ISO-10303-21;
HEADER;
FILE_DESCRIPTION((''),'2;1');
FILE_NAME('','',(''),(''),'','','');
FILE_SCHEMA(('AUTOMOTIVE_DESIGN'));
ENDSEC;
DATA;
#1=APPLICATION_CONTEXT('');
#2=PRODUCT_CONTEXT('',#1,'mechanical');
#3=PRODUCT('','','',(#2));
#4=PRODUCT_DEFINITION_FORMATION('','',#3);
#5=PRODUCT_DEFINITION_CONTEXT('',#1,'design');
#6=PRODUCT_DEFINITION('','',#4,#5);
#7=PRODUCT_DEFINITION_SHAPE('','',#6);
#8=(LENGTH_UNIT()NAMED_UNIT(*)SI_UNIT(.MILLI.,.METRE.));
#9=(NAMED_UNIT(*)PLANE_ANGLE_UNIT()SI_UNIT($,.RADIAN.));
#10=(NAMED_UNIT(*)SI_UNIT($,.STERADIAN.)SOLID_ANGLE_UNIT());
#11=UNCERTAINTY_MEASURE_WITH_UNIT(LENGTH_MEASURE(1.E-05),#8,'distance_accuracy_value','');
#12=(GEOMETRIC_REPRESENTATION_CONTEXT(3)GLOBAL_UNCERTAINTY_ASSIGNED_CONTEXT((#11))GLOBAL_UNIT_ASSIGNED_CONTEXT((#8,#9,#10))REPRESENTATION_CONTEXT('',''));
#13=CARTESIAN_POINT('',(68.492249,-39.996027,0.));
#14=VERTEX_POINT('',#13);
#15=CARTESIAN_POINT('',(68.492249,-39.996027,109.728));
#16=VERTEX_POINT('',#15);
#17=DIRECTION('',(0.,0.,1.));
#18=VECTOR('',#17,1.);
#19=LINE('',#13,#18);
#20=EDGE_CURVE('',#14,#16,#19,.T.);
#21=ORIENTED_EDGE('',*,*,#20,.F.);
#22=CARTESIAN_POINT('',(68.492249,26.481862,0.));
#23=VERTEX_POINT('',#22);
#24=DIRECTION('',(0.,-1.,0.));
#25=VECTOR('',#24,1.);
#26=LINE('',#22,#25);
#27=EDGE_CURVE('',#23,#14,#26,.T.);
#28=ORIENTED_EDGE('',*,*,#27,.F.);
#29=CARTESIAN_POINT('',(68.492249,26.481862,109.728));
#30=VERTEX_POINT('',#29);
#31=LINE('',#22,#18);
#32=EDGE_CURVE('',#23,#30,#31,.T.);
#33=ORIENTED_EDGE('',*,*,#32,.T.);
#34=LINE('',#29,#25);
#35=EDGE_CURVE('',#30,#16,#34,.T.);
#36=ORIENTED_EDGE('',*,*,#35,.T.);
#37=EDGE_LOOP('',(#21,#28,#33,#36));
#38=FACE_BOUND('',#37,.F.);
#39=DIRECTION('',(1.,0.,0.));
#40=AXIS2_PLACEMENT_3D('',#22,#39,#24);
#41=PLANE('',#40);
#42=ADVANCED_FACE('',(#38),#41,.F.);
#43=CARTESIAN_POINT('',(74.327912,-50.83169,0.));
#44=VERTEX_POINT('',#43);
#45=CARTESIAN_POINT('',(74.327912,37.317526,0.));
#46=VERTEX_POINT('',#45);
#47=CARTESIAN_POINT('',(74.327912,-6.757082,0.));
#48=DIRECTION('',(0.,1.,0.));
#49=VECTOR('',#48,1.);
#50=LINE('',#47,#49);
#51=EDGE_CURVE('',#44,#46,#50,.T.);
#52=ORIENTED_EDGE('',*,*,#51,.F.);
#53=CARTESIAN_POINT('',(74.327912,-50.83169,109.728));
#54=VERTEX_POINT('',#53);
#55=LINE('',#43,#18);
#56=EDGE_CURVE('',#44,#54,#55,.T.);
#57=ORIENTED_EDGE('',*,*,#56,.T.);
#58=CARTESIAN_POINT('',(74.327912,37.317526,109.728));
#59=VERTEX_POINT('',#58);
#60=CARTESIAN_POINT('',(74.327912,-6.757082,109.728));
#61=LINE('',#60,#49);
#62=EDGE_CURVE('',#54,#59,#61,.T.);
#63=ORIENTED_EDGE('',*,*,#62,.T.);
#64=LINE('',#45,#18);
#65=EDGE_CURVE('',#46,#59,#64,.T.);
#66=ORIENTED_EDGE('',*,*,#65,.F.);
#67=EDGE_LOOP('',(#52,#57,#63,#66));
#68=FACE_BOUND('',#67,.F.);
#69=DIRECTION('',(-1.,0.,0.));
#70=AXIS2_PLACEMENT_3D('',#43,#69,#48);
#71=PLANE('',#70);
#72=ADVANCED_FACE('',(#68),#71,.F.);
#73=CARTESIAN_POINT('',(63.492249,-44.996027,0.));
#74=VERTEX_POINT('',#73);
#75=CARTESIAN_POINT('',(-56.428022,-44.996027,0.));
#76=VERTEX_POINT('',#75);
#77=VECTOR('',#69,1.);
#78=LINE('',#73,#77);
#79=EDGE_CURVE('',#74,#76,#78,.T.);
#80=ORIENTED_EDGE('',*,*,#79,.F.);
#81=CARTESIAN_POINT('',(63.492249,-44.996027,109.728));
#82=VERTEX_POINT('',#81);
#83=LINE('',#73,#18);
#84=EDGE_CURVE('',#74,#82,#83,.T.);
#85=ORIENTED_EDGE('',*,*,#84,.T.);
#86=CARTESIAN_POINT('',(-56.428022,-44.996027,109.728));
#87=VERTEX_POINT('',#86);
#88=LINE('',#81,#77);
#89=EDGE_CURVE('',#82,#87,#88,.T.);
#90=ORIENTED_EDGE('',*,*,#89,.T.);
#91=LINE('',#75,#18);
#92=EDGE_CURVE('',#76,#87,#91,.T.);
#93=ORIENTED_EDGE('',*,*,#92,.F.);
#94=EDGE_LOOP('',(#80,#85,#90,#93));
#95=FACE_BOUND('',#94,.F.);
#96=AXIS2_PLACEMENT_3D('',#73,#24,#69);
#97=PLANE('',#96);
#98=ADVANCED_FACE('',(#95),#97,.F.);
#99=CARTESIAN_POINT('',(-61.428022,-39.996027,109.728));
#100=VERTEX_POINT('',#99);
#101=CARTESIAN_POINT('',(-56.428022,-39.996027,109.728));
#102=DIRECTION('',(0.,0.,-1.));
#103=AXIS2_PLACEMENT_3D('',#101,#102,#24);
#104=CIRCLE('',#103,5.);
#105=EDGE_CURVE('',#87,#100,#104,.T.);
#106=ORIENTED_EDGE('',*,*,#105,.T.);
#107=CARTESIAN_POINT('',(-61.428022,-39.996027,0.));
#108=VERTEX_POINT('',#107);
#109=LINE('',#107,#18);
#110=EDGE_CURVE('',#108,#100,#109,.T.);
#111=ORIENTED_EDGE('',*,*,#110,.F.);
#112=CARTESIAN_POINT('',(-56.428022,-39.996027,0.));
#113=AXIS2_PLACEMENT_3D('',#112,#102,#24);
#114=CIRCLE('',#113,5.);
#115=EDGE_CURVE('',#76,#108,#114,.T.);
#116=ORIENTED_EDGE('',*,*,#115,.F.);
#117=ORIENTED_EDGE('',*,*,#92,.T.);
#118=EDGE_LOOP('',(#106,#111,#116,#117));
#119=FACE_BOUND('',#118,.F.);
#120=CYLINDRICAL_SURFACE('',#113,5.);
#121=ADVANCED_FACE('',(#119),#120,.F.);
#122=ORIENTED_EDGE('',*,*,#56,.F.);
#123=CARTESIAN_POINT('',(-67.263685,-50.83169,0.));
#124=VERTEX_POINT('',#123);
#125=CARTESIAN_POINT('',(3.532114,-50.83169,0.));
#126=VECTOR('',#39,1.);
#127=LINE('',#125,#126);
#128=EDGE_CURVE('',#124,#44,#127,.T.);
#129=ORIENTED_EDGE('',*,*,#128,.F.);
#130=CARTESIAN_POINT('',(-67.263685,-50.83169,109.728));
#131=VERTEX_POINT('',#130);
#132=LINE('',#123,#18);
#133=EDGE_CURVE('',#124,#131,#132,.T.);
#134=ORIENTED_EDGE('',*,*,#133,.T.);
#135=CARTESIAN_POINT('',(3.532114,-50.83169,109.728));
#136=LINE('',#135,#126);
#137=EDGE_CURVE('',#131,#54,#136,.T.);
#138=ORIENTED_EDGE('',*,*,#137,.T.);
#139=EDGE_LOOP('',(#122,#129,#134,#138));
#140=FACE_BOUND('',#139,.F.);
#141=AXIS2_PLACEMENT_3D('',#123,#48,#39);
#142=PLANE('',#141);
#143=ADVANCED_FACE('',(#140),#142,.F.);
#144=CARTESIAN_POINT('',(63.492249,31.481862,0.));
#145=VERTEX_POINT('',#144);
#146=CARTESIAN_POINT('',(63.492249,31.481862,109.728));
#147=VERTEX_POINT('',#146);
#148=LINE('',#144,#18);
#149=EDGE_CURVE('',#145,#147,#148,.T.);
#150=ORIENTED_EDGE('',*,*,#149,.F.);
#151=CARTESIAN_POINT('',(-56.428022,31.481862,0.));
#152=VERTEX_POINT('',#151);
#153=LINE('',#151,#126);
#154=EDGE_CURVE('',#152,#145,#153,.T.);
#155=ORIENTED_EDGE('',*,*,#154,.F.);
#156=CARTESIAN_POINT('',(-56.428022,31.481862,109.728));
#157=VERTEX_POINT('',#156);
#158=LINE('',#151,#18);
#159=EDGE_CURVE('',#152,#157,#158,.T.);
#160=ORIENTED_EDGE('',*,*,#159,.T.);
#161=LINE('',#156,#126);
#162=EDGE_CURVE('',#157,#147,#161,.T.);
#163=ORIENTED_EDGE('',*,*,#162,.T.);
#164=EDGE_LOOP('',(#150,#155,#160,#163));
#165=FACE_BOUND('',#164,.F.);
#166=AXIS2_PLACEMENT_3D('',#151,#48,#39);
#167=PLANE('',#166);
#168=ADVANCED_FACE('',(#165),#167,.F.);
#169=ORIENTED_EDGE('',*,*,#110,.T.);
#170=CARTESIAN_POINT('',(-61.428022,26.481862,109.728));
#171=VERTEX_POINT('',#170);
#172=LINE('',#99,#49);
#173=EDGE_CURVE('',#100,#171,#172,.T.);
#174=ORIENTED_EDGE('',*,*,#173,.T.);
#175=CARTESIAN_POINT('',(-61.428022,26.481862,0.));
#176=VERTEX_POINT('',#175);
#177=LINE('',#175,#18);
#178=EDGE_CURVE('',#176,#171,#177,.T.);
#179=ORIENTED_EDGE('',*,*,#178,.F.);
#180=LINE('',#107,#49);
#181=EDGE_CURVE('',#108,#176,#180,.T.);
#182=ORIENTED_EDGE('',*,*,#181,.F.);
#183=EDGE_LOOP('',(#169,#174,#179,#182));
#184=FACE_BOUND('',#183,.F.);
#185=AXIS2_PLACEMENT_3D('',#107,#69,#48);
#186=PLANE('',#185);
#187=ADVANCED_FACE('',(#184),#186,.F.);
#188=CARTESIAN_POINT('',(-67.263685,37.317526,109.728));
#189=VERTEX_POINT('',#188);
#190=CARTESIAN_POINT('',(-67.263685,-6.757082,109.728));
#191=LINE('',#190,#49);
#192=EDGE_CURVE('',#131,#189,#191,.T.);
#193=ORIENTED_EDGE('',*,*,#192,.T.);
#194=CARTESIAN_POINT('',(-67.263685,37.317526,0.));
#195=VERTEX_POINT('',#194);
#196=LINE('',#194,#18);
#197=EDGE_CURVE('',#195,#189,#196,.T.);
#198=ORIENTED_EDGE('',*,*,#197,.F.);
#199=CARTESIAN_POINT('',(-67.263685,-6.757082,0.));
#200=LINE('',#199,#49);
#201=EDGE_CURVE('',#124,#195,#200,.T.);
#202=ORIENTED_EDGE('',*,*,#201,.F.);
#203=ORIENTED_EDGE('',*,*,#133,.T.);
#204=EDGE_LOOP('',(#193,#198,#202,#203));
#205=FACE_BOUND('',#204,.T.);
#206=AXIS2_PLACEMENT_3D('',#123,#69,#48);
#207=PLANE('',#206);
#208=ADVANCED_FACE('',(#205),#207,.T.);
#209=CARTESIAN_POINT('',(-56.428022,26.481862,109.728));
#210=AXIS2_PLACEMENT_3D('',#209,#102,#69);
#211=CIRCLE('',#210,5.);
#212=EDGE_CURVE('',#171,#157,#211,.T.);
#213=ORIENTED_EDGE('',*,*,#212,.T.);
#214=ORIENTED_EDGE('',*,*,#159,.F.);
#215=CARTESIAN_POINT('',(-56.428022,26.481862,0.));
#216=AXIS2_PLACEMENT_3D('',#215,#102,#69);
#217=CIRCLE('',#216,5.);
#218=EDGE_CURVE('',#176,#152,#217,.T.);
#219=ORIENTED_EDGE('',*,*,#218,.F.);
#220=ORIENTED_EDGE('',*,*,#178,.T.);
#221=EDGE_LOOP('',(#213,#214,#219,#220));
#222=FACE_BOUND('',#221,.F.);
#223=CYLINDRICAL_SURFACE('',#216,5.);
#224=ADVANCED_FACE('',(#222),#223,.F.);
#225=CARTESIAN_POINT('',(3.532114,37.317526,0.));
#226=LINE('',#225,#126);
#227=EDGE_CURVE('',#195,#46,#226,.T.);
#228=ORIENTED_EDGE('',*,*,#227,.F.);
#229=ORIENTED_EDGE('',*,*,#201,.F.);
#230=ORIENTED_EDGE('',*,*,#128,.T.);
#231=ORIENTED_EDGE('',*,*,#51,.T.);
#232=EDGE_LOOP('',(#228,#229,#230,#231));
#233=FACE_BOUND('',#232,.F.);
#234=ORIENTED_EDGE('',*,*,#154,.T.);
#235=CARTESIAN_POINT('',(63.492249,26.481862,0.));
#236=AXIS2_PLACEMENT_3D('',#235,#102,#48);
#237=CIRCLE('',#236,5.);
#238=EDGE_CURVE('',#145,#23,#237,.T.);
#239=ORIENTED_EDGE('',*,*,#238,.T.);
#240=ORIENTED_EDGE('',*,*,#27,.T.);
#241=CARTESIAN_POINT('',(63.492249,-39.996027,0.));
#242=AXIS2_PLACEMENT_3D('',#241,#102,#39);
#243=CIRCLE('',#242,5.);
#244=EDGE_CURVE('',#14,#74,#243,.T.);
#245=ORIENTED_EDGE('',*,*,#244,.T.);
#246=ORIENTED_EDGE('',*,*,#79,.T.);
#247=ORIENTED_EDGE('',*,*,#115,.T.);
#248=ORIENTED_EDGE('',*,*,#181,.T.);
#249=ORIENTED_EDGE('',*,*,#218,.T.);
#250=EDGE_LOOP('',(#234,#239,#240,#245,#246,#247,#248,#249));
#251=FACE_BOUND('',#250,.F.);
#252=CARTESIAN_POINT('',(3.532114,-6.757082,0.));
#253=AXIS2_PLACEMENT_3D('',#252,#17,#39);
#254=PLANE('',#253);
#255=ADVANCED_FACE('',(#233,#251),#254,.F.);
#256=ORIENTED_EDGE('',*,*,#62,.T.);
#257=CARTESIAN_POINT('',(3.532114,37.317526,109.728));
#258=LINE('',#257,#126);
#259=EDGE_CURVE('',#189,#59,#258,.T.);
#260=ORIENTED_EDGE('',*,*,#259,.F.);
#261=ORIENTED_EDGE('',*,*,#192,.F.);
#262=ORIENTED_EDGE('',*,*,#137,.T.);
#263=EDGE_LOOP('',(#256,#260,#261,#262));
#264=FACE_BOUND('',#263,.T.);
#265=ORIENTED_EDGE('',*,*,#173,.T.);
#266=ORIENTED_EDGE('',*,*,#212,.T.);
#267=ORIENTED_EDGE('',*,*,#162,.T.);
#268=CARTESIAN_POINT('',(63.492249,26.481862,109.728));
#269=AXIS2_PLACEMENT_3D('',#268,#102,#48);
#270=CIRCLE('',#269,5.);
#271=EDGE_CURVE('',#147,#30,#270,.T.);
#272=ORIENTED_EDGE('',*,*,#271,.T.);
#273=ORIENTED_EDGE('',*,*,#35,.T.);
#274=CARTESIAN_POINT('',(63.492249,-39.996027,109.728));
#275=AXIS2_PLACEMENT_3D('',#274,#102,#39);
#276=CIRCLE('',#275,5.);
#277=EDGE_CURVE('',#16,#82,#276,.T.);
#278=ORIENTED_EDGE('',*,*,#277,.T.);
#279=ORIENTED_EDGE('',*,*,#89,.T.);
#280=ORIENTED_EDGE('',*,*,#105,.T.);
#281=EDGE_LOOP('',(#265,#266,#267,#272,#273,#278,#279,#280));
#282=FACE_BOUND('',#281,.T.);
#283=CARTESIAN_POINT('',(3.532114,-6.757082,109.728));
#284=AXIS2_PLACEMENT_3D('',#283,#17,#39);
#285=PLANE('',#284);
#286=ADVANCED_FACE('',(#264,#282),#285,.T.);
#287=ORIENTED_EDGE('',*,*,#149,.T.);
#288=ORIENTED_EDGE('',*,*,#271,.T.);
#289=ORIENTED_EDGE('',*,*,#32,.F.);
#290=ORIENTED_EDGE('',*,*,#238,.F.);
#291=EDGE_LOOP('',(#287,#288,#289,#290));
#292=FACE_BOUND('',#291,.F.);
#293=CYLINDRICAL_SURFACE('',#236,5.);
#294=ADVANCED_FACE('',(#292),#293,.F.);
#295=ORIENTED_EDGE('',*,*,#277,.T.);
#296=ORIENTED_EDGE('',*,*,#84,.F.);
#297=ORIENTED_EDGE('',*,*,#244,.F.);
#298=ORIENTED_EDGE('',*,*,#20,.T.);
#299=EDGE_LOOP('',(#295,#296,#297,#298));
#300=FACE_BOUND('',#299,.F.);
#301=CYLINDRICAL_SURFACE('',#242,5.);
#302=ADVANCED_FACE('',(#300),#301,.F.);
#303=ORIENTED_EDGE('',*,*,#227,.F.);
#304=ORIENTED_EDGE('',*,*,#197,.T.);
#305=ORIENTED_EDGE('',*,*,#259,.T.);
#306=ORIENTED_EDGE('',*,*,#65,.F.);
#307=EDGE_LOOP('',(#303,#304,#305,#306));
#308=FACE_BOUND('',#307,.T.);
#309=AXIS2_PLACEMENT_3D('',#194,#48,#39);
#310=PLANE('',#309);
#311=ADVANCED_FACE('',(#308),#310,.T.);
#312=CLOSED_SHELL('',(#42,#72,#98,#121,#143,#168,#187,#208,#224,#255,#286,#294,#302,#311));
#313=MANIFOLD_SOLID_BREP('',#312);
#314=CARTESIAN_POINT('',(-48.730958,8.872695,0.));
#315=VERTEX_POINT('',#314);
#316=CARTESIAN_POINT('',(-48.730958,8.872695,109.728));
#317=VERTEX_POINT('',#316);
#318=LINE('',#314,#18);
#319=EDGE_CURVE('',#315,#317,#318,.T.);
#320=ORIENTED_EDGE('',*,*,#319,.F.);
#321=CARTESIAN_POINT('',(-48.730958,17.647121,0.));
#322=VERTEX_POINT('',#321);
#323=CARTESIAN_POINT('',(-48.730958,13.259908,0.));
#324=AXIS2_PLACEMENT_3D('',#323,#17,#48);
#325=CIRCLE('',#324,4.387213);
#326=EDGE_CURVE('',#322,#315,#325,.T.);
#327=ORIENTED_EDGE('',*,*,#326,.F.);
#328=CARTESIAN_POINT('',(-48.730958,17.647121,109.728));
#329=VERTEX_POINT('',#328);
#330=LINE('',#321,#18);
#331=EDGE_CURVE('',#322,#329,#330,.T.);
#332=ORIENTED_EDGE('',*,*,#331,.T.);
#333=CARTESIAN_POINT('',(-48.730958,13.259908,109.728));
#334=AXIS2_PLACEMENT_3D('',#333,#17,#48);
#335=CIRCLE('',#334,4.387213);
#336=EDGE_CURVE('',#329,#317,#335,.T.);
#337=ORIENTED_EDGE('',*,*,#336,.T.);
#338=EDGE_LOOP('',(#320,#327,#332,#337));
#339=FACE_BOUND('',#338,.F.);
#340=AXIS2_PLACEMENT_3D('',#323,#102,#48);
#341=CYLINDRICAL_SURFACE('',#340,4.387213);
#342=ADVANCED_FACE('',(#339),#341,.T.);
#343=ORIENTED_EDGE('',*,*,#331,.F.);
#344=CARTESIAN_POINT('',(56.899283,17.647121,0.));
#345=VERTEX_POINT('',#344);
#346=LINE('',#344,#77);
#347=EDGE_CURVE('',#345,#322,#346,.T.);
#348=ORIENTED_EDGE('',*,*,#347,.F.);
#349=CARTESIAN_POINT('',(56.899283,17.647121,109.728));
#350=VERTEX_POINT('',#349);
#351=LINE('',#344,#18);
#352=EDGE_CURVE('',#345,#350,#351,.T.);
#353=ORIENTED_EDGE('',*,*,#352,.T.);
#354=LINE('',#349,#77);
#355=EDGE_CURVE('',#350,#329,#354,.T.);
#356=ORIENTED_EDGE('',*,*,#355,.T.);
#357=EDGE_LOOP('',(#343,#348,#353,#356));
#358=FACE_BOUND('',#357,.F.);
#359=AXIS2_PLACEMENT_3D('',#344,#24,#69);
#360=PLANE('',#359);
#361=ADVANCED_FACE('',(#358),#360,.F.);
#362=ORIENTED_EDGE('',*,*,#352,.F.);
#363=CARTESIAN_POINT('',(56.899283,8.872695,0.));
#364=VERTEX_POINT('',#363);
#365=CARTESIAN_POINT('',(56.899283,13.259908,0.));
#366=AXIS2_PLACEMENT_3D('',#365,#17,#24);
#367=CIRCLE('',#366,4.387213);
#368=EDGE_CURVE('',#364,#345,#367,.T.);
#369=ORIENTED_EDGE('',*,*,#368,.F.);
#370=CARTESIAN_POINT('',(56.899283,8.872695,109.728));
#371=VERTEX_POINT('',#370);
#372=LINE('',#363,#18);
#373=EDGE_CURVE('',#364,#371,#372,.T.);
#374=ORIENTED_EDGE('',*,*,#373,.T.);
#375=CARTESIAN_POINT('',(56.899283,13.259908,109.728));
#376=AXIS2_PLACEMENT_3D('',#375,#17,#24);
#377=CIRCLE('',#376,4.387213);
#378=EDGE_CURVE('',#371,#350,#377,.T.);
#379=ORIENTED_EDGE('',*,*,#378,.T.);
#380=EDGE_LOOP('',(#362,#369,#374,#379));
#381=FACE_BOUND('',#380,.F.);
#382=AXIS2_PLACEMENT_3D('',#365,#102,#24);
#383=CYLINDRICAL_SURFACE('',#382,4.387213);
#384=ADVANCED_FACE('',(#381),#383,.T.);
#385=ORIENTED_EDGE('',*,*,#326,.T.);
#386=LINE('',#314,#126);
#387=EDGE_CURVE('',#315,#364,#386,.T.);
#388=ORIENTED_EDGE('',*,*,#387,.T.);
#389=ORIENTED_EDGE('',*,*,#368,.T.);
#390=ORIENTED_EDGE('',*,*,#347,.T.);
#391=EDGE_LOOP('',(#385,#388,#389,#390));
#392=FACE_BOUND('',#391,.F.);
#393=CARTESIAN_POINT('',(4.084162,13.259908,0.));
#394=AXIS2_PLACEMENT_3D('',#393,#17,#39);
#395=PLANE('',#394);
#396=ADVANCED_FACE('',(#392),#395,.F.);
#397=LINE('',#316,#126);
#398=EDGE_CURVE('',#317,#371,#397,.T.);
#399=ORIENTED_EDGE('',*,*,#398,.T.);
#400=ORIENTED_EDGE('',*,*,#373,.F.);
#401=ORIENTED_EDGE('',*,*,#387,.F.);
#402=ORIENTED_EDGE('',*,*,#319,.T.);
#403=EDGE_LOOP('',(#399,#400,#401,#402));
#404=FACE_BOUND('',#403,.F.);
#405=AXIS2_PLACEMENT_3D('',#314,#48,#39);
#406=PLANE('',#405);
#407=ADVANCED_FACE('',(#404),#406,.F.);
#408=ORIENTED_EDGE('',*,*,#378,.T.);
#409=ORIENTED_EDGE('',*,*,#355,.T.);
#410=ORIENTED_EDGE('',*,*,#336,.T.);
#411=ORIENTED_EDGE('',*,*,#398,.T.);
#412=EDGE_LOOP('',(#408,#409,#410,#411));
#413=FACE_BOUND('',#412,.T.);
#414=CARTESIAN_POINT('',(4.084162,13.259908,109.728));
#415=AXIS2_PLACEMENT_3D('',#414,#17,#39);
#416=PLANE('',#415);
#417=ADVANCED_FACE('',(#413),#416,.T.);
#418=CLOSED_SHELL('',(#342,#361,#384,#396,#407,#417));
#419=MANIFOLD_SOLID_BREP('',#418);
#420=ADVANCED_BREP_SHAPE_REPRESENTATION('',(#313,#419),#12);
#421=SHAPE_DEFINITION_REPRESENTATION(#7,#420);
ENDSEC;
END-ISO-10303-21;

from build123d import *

# Parameters (mm, degrees)
F1_DEPTH = 109.728
F0_W     = 141.5915973485
F0_H     = 88.1492160261


with BuildPart() as f1:
    # F0 (on Top) → F1 (new body)
    with BuildSketch(Plane.XY):
        with BuildLine():
            Line((56.8992830813, 17.6471211016), (-48.7309582531, 17.6471211016))
            ThreePointArc((-48.7309582531, 17.6471211016), (-53.1181711704, 13.2599081844), (-48.7309582531, 8.8726952672))
            Line((-48.7309582531, 8.8726952672), (56.8992830813, 8.8726952672))
            ThreePointArc((56.8992830813, 8.8726952672), (61.2864959985, 13.2599081844), (56.8992830813, 17.6471211016))
        make_face()
    extrude(amount=F1_DEPTH)


with BuildPart() as f1b:
    # F0 (on Top) → F1, piece 2 (new body)
    with BuildSketch(Plane.XY):
        with Locations((3.5321135074, -6.7570824176)):
            Rectangle(F0_W, F0_H)
        with BuildLine():
            ThreePointArc((-61.4280216396, 26.4818620682), (-59.9635555455, 30.0173959741), (-56.4280216396, 31.4818620682))
            Line((-56.4280216396, 31.4818620682), (63.4922486544, 31.4818620682))
            ThreePointArc((63.4922486544, 31.4818620682), (67.0277825603, 30.0173959741), (68.4922486544, 26.4818620682))
            Line((68.4922486544, 26.4818620682), (68.4922486544, -39.9960269034))
            ThreePointArc((68.4922486544, -39.9960269034), (67.0277825603, -43.5315608093), (63.4922486544, -44.9960269034))
            Line((63.4922486544, -44.9960269034), (-56.4280216396, -44.9960269034))
            ThreePointArc((-56.4280216396, -44.9960269034), (-59.9635555455, -43.5315608093), (-61.4280216396, -39.9960269034))
            Line((-61.4280216396, -39.9960269034), (-61.4280216396, 26.4818620682))
        make_face(mode=Mode.SUBTRACT)
    extrude(amount=F1_DEPTH)


solid = Compound([f1.part, f1b.part])
